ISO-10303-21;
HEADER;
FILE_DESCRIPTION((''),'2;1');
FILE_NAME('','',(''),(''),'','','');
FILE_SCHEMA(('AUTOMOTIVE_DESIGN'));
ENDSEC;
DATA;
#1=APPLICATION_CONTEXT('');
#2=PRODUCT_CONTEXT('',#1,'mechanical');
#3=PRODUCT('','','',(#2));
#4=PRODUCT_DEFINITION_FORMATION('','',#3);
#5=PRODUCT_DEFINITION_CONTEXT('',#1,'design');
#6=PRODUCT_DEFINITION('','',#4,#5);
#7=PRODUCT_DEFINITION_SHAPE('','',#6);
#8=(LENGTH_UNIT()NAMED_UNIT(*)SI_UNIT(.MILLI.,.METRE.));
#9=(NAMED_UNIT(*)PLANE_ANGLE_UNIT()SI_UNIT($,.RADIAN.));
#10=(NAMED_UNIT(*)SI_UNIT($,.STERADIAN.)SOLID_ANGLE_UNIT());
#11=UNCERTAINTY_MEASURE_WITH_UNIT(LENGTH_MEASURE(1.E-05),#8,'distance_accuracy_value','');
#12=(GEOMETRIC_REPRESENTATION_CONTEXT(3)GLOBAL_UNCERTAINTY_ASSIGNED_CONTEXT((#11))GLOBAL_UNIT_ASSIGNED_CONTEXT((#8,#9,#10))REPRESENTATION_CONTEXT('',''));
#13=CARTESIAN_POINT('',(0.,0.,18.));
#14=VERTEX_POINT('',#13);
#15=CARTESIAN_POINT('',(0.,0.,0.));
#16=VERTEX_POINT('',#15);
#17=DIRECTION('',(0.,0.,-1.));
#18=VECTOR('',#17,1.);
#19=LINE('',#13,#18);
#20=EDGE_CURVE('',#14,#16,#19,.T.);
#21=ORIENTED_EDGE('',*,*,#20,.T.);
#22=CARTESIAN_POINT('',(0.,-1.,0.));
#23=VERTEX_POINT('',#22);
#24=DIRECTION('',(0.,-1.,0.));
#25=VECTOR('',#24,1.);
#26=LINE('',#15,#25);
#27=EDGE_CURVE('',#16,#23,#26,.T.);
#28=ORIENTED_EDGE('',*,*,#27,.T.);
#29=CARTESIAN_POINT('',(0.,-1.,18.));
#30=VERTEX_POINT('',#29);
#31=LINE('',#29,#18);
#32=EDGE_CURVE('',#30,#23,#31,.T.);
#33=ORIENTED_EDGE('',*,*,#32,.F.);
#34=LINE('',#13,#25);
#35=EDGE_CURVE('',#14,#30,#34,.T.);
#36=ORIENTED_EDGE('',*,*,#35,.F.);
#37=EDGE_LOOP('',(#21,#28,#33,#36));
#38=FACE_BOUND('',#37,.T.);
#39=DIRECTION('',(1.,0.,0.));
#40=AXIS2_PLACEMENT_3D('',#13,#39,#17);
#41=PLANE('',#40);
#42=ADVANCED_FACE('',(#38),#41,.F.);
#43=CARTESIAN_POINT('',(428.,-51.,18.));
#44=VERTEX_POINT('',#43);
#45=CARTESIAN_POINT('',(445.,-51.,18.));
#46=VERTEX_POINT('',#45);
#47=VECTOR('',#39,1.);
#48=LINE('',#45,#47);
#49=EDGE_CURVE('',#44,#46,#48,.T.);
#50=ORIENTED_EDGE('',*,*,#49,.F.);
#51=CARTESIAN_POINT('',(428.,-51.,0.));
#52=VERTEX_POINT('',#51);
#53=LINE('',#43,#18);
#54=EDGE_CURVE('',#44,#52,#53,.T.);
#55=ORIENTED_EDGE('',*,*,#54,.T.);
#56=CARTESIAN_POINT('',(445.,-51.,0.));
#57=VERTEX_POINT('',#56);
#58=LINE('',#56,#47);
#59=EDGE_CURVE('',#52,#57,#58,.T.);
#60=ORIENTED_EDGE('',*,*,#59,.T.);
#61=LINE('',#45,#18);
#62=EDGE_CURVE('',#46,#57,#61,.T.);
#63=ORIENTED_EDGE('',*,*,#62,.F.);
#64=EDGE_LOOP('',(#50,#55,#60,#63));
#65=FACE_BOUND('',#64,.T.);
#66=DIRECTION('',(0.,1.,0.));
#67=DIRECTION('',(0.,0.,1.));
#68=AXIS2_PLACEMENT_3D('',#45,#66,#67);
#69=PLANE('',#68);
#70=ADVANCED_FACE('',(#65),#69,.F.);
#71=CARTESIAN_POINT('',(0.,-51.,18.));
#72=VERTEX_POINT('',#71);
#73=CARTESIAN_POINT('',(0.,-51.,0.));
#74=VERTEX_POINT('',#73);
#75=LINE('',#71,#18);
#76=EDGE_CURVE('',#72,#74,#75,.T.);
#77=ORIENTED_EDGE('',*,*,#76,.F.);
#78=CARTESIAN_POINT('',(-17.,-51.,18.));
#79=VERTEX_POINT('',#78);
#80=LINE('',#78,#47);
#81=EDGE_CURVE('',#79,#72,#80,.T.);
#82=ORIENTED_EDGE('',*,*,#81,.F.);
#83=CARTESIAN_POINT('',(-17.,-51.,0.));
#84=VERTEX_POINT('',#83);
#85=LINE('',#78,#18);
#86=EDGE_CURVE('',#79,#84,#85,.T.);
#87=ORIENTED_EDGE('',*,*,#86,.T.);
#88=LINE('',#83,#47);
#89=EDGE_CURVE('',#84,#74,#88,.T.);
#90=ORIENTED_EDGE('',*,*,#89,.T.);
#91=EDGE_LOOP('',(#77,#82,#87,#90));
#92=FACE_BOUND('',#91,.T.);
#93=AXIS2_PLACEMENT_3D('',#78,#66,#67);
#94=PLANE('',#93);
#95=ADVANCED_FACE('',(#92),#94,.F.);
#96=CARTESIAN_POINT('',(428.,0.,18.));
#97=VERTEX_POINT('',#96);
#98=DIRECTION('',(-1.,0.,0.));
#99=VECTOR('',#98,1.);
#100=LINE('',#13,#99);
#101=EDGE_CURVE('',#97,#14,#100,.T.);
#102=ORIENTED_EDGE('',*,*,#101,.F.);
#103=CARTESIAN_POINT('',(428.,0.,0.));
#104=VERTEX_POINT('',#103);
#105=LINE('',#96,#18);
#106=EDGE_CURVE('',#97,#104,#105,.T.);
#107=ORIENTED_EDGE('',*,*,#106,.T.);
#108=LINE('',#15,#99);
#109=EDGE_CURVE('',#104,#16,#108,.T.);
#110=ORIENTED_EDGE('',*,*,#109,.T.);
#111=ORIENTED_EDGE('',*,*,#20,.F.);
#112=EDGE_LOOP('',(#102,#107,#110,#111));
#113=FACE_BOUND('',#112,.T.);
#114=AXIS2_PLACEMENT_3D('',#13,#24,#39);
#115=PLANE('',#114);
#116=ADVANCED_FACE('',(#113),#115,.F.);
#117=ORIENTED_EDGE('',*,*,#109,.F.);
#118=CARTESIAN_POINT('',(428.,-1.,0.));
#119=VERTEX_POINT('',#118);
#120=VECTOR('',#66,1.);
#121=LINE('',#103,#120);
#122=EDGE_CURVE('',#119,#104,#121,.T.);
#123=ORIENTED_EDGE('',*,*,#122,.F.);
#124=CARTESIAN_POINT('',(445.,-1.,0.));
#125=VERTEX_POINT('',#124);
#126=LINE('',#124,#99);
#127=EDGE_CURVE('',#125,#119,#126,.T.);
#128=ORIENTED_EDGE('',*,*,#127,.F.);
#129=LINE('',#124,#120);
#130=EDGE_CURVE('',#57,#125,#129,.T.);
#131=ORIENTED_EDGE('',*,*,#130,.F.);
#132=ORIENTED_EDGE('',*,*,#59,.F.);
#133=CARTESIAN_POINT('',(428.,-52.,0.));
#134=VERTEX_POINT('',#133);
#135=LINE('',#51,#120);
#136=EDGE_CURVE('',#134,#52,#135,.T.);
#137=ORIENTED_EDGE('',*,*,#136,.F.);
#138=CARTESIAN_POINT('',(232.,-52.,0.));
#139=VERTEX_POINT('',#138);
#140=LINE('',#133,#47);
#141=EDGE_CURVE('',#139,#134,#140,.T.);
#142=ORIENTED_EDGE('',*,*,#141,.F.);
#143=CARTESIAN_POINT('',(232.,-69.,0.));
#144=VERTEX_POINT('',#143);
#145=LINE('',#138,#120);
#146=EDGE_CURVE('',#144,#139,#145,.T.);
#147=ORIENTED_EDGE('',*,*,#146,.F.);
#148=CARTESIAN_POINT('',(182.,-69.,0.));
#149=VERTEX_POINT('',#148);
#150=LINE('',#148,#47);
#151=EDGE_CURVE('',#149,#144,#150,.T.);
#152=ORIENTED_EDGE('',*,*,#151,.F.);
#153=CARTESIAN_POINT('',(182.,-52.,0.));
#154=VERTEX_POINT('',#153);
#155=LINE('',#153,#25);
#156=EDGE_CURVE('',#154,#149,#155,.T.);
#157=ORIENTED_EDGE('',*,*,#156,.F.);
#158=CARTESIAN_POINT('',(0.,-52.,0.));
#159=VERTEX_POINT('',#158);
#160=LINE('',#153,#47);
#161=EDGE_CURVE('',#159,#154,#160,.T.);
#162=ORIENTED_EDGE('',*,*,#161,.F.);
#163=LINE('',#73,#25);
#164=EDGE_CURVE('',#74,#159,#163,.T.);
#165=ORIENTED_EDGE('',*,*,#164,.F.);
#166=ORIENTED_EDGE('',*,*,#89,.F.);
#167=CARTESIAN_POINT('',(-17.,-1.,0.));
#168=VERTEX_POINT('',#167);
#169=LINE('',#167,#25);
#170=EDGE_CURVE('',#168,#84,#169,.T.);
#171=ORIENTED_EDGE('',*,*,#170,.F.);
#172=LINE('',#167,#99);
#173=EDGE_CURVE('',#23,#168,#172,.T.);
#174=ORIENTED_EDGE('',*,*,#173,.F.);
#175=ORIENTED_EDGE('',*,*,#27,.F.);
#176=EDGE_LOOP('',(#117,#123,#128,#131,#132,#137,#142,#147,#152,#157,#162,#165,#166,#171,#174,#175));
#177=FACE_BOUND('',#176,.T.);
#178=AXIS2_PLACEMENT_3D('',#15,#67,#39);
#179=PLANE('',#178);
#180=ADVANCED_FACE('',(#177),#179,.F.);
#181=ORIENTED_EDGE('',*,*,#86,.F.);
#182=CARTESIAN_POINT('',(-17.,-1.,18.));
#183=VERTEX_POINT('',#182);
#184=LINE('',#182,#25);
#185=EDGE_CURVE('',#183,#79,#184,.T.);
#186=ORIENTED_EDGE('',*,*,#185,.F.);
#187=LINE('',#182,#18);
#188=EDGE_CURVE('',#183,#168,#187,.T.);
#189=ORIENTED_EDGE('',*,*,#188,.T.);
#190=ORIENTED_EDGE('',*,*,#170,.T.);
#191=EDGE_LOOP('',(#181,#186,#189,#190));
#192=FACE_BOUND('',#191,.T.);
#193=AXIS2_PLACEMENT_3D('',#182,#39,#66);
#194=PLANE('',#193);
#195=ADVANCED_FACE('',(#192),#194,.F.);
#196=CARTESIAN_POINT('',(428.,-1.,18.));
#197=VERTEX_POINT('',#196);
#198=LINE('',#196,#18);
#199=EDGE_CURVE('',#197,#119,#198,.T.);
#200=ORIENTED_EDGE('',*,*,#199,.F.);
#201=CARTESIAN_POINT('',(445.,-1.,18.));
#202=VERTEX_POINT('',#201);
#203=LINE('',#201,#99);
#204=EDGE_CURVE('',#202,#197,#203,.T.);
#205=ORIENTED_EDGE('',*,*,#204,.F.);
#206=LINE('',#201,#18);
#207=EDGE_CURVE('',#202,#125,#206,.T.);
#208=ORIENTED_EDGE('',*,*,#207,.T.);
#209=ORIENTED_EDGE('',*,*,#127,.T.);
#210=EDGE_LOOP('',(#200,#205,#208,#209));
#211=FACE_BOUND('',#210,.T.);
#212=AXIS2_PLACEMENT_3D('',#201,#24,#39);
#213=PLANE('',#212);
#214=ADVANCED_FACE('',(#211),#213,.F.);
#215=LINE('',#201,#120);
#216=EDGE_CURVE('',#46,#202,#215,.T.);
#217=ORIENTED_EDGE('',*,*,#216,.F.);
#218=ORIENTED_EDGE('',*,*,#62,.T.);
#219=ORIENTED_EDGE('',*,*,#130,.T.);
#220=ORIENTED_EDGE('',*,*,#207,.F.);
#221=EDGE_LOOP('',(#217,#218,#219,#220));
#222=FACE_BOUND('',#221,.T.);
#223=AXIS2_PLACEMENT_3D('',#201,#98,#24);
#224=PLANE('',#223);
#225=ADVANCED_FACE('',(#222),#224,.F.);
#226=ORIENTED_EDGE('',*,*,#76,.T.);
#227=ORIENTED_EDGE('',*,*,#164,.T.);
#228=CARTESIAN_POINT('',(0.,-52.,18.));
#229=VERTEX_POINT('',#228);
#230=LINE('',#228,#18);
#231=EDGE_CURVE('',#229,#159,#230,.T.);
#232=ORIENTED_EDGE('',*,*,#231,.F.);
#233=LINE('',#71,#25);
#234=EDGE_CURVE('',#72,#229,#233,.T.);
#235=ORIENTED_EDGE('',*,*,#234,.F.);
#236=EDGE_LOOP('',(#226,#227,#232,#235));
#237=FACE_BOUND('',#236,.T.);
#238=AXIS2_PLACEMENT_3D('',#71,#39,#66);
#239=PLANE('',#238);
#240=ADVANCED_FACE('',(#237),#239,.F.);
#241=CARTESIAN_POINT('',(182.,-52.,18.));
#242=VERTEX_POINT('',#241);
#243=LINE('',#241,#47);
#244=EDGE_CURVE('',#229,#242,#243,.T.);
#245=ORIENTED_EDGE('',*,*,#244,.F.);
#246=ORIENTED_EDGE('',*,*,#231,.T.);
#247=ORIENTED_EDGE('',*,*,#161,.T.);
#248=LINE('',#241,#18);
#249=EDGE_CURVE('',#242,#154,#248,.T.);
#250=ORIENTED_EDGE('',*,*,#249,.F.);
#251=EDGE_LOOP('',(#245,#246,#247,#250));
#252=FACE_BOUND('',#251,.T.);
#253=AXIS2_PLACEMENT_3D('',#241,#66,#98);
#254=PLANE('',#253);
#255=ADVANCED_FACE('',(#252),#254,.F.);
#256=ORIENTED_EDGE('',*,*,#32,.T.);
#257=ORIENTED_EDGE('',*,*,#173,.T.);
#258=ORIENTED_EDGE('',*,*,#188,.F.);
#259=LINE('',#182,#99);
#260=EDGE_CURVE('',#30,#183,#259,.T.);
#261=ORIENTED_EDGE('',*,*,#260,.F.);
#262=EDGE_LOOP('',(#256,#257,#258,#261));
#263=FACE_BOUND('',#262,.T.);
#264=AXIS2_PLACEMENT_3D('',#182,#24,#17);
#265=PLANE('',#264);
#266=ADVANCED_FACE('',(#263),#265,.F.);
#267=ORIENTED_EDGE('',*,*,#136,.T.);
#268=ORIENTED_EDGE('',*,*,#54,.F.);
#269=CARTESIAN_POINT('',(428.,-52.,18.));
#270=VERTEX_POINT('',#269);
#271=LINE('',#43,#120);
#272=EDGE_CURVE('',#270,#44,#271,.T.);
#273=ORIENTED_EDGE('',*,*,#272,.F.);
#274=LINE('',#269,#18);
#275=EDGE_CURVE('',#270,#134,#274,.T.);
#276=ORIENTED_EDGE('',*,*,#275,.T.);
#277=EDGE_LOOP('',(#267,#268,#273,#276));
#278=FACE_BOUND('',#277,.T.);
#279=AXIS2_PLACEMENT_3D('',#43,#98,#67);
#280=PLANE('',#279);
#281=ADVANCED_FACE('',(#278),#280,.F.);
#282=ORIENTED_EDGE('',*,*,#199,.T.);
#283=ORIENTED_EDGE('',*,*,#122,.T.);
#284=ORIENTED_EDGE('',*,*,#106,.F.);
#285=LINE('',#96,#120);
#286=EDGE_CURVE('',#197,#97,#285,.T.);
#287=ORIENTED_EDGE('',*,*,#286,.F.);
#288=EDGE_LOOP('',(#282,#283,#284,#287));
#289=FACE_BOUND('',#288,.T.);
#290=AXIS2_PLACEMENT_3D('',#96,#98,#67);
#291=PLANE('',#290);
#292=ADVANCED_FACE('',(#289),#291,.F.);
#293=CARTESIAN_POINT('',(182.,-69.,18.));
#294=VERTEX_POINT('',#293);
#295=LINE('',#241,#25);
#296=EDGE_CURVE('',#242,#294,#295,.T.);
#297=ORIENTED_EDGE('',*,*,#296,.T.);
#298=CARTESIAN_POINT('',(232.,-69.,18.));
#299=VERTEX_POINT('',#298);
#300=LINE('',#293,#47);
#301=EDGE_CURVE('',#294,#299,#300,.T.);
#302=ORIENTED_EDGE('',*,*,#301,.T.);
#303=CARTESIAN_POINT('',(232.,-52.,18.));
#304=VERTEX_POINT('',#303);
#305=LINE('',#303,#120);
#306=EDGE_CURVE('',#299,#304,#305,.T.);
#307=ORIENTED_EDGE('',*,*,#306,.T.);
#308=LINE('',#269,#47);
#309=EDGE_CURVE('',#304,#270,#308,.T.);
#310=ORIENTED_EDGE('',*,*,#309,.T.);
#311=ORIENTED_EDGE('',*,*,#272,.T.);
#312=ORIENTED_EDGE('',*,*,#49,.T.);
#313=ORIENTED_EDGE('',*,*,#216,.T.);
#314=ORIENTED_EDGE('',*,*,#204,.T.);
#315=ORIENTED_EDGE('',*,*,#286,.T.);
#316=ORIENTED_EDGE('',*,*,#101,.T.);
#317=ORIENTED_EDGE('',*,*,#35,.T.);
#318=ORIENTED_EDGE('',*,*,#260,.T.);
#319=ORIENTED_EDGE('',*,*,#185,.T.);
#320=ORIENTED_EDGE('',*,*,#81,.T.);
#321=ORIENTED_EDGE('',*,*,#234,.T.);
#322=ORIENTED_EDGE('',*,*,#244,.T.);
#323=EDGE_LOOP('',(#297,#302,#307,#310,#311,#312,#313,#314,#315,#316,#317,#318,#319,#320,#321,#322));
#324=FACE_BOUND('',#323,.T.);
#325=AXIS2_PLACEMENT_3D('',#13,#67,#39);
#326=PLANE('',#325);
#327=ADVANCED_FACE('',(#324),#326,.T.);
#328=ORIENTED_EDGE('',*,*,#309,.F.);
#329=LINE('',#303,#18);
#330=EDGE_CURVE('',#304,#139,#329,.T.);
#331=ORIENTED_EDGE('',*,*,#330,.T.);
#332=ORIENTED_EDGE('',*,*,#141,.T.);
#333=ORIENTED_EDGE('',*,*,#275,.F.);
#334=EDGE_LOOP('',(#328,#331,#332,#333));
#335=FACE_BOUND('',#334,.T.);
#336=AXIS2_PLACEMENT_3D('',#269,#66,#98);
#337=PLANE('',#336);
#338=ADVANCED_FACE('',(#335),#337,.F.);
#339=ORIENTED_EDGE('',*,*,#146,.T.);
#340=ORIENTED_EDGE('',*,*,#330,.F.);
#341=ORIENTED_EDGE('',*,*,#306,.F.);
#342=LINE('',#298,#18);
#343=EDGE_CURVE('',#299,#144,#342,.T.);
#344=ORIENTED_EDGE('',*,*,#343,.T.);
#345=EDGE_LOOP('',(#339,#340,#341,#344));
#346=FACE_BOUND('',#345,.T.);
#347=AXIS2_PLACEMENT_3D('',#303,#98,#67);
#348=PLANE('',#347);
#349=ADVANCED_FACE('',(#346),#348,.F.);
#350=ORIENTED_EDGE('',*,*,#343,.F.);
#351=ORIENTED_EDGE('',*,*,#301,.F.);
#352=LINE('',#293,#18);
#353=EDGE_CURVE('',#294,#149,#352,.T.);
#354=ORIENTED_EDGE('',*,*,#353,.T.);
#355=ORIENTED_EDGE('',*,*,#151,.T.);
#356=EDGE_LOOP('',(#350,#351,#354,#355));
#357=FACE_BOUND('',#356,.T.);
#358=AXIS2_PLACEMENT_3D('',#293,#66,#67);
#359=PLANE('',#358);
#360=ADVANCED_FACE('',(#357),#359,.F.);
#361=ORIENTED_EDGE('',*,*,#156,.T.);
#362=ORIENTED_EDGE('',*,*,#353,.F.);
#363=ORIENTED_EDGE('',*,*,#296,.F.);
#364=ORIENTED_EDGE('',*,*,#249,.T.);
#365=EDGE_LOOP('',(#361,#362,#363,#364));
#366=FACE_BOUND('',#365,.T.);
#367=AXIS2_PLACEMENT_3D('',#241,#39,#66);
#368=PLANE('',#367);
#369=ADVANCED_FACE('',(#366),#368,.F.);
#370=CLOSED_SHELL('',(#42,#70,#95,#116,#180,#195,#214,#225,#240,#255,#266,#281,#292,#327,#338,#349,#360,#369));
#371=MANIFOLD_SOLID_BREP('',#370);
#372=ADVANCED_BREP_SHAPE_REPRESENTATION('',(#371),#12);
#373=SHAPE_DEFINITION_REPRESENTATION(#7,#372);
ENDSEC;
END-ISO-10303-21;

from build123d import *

# Parameters (mm, degrees)
BOSS_EXTRUDE1_DEPTH = 18


with BuildPart() as part:
    # Sketch1 → Boss-Extrude1 (new body)
    with BuildSketch(Plane.XY):
        Polygon((0, 0), (428, 0), (428, -1), (445, -1), (445, -51), (428, -51), (428, -52), (232, -52), (232, -69), (182, -69), (182, -52), (0, -52), (0, -51), (-17, -51), (-17, -1), (0, -1), align=None)
    extrude(amount=BOSS_EXTRUDE1_DEPTH)


solid = part.part
